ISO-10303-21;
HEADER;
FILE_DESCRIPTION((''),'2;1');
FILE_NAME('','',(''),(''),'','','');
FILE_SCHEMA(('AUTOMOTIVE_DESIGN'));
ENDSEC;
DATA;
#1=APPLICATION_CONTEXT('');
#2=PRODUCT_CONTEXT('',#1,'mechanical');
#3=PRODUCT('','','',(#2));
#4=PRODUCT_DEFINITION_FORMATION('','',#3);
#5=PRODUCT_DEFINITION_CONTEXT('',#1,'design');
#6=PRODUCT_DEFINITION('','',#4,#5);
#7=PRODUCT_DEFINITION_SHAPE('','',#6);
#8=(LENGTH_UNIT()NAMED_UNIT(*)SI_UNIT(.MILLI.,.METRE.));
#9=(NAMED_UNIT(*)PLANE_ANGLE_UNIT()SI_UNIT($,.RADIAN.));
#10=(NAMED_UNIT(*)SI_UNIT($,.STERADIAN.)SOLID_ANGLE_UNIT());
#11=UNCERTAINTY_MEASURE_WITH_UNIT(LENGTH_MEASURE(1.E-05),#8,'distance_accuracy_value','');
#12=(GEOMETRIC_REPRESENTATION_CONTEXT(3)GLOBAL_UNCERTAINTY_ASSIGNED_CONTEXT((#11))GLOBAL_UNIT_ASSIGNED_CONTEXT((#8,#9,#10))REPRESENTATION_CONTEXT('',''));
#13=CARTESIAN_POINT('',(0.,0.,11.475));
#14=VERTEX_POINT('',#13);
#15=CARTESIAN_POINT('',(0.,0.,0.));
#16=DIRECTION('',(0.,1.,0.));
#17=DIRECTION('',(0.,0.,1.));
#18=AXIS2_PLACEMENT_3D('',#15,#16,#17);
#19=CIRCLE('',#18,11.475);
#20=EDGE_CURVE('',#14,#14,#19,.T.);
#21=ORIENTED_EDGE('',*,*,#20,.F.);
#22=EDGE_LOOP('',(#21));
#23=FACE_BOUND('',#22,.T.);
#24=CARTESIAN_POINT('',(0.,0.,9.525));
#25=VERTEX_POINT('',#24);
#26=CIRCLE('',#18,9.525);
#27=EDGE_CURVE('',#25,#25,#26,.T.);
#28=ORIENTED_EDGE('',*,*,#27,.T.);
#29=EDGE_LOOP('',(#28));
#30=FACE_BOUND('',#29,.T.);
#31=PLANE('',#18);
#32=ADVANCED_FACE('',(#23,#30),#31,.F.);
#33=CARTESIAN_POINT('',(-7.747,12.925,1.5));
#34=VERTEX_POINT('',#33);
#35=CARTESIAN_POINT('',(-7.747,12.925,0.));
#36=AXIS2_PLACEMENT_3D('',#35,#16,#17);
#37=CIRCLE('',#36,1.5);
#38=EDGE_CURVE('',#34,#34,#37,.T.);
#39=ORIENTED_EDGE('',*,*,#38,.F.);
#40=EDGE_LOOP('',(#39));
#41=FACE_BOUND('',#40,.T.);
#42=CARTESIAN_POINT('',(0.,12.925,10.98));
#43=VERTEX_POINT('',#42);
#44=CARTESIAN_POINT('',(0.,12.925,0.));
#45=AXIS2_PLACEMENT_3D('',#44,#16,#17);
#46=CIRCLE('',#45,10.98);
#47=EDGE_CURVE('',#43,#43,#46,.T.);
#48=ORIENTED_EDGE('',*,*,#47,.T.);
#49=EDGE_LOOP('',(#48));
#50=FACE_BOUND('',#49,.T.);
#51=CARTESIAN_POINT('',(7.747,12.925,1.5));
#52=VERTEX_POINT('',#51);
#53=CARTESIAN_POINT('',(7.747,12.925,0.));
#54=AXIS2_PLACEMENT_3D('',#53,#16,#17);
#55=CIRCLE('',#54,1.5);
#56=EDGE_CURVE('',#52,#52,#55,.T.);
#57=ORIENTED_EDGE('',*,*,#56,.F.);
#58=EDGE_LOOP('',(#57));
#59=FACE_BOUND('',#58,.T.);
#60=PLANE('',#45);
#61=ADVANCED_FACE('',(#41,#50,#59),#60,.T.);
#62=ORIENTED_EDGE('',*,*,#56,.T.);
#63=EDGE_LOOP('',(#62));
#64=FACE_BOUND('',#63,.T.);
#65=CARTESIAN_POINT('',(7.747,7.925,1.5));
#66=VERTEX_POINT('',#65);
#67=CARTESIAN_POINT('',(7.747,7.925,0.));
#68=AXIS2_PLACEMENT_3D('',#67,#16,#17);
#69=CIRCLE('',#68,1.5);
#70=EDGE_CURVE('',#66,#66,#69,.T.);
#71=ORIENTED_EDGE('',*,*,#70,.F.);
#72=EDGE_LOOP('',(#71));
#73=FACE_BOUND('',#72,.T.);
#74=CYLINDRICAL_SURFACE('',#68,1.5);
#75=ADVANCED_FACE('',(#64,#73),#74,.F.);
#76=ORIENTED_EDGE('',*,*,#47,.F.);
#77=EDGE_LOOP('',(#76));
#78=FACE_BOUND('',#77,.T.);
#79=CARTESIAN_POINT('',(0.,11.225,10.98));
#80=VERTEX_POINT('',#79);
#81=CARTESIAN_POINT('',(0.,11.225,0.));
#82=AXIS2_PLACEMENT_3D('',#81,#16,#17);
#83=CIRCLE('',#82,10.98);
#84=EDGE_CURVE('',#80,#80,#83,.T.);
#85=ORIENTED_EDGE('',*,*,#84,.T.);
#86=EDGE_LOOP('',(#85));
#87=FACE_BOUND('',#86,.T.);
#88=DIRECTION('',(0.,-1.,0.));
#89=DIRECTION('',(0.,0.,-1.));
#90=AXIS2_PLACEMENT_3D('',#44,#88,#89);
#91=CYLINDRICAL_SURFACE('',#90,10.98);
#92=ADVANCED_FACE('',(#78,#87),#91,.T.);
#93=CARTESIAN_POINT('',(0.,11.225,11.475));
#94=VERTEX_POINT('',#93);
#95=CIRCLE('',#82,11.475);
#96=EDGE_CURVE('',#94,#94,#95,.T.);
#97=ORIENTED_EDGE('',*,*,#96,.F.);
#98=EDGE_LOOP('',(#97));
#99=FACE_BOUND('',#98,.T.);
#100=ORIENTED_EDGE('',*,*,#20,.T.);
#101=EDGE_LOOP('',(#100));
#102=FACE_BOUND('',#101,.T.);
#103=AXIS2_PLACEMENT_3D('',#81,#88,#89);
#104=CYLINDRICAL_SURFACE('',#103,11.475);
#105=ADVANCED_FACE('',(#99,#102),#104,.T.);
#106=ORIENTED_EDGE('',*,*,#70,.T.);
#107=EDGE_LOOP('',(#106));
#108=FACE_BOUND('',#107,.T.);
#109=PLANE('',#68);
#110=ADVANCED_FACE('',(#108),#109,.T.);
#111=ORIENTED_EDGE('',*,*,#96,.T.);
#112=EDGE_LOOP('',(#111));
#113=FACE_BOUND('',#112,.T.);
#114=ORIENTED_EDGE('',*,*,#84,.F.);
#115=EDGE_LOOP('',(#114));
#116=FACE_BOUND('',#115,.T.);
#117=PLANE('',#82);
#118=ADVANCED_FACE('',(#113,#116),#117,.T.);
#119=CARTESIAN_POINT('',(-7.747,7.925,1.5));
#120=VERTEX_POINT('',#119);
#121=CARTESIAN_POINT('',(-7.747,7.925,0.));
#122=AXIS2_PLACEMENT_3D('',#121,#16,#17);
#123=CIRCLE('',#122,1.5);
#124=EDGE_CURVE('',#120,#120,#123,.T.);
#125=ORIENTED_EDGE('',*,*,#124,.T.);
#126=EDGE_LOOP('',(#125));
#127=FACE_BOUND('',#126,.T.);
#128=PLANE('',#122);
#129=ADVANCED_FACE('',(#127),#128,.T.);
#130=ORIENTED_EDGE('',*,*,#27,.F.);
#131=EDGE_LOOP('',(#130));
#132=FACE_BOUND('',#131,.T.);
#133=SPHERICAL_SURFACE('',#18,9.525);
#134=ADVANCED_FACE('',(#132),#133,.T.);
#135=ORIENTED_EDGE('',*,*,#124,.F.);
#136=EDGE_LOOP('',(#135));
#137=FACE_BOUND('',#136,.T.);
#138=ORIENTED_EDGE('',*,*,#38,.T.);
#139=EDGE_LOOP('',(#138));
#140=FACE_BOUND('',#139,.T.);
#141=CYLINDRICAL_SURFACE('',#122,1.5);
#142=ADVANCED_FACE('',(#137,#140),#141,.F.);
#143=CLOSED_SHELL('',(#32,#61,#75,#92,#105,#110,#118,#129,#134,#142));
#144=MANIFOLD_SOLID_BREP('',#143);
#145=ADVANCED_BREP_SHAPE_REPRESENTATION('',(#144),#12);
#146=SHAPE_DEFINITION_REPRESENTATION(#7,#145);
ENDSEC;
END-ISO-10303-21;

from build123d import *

# Parameters (mm, degrees)
SKETCH2_R           = 11.475
BOSS_EXTRUDE1_DEPTH = 11.225
SKETCH5_R           = 10.98
BOSS_EXTRUDE3_DEPTH = 1.7
SKETCH6_R           = 1.5
CUT_EXTRUDE4_DEPTH  = 5


with BuildPart() as part:
    # Sketch1 → Revolve1 (revolve)
    with BuildSketch(Plane(origin=(0, 0, 0), x_dir=(1, 0, 0), z_dir=(0, 1, 0))):
        with BuildLine():
            Line((0, 9.525), (0, -9.525))
            ThreePointArc((0, -9.525), (9.525, 0), (0, 9.525))
        make_face()
    revolve(axis=Axis((0, 0, -9.525), (0, 0, 1)))

    # Sketch2 → Boss-Extrude1 (add)
    with BuildSketch(Plane(origin=(0, 0, 0), x_dir=(1, 0, 0), z_dir=(0, 1, 0))):
        with Locations(Location((0, 0, 0), (0, 0, 270))):
            Circle(SKETCH2_R)
    extrude(amount=BOSS_EXTRUDE1_DEPTH)

    # Sketch5 → Boss-Extrude3 (add)
    with BuildSketch(Plane(origin=(0, 11.225, 0), x_dir=(1, 0, 0), z_dir=(0, 1, 0))):
        with Locations(Location((0, 0, 0), (0, 0, 270))):
            Circle(SKETCH5_R)
    extrude(amount=BOSS_EXTRUDE3_DEPTH)

    # Sketch6 → Cut-Extrude4 (cut)
    with BuildSketch(Plane(origin=(0, 12.925, 0), x_dir=(1, 0, 0), z_dir=(0, 1, 0))):
        with Locations(Location((7.747, 0, 0), (0, 0, 270))):
            Circle(SKETCH6_R)
        with Locations(Location((-7.747, 0, 0), (0, 0, 270))):
            Circle(SKETCH6_R)
    extrude(amount=-CUT_EXTRUDE4_DEPTH, mode=Mode.SUBTRACT)


solid = part.part
